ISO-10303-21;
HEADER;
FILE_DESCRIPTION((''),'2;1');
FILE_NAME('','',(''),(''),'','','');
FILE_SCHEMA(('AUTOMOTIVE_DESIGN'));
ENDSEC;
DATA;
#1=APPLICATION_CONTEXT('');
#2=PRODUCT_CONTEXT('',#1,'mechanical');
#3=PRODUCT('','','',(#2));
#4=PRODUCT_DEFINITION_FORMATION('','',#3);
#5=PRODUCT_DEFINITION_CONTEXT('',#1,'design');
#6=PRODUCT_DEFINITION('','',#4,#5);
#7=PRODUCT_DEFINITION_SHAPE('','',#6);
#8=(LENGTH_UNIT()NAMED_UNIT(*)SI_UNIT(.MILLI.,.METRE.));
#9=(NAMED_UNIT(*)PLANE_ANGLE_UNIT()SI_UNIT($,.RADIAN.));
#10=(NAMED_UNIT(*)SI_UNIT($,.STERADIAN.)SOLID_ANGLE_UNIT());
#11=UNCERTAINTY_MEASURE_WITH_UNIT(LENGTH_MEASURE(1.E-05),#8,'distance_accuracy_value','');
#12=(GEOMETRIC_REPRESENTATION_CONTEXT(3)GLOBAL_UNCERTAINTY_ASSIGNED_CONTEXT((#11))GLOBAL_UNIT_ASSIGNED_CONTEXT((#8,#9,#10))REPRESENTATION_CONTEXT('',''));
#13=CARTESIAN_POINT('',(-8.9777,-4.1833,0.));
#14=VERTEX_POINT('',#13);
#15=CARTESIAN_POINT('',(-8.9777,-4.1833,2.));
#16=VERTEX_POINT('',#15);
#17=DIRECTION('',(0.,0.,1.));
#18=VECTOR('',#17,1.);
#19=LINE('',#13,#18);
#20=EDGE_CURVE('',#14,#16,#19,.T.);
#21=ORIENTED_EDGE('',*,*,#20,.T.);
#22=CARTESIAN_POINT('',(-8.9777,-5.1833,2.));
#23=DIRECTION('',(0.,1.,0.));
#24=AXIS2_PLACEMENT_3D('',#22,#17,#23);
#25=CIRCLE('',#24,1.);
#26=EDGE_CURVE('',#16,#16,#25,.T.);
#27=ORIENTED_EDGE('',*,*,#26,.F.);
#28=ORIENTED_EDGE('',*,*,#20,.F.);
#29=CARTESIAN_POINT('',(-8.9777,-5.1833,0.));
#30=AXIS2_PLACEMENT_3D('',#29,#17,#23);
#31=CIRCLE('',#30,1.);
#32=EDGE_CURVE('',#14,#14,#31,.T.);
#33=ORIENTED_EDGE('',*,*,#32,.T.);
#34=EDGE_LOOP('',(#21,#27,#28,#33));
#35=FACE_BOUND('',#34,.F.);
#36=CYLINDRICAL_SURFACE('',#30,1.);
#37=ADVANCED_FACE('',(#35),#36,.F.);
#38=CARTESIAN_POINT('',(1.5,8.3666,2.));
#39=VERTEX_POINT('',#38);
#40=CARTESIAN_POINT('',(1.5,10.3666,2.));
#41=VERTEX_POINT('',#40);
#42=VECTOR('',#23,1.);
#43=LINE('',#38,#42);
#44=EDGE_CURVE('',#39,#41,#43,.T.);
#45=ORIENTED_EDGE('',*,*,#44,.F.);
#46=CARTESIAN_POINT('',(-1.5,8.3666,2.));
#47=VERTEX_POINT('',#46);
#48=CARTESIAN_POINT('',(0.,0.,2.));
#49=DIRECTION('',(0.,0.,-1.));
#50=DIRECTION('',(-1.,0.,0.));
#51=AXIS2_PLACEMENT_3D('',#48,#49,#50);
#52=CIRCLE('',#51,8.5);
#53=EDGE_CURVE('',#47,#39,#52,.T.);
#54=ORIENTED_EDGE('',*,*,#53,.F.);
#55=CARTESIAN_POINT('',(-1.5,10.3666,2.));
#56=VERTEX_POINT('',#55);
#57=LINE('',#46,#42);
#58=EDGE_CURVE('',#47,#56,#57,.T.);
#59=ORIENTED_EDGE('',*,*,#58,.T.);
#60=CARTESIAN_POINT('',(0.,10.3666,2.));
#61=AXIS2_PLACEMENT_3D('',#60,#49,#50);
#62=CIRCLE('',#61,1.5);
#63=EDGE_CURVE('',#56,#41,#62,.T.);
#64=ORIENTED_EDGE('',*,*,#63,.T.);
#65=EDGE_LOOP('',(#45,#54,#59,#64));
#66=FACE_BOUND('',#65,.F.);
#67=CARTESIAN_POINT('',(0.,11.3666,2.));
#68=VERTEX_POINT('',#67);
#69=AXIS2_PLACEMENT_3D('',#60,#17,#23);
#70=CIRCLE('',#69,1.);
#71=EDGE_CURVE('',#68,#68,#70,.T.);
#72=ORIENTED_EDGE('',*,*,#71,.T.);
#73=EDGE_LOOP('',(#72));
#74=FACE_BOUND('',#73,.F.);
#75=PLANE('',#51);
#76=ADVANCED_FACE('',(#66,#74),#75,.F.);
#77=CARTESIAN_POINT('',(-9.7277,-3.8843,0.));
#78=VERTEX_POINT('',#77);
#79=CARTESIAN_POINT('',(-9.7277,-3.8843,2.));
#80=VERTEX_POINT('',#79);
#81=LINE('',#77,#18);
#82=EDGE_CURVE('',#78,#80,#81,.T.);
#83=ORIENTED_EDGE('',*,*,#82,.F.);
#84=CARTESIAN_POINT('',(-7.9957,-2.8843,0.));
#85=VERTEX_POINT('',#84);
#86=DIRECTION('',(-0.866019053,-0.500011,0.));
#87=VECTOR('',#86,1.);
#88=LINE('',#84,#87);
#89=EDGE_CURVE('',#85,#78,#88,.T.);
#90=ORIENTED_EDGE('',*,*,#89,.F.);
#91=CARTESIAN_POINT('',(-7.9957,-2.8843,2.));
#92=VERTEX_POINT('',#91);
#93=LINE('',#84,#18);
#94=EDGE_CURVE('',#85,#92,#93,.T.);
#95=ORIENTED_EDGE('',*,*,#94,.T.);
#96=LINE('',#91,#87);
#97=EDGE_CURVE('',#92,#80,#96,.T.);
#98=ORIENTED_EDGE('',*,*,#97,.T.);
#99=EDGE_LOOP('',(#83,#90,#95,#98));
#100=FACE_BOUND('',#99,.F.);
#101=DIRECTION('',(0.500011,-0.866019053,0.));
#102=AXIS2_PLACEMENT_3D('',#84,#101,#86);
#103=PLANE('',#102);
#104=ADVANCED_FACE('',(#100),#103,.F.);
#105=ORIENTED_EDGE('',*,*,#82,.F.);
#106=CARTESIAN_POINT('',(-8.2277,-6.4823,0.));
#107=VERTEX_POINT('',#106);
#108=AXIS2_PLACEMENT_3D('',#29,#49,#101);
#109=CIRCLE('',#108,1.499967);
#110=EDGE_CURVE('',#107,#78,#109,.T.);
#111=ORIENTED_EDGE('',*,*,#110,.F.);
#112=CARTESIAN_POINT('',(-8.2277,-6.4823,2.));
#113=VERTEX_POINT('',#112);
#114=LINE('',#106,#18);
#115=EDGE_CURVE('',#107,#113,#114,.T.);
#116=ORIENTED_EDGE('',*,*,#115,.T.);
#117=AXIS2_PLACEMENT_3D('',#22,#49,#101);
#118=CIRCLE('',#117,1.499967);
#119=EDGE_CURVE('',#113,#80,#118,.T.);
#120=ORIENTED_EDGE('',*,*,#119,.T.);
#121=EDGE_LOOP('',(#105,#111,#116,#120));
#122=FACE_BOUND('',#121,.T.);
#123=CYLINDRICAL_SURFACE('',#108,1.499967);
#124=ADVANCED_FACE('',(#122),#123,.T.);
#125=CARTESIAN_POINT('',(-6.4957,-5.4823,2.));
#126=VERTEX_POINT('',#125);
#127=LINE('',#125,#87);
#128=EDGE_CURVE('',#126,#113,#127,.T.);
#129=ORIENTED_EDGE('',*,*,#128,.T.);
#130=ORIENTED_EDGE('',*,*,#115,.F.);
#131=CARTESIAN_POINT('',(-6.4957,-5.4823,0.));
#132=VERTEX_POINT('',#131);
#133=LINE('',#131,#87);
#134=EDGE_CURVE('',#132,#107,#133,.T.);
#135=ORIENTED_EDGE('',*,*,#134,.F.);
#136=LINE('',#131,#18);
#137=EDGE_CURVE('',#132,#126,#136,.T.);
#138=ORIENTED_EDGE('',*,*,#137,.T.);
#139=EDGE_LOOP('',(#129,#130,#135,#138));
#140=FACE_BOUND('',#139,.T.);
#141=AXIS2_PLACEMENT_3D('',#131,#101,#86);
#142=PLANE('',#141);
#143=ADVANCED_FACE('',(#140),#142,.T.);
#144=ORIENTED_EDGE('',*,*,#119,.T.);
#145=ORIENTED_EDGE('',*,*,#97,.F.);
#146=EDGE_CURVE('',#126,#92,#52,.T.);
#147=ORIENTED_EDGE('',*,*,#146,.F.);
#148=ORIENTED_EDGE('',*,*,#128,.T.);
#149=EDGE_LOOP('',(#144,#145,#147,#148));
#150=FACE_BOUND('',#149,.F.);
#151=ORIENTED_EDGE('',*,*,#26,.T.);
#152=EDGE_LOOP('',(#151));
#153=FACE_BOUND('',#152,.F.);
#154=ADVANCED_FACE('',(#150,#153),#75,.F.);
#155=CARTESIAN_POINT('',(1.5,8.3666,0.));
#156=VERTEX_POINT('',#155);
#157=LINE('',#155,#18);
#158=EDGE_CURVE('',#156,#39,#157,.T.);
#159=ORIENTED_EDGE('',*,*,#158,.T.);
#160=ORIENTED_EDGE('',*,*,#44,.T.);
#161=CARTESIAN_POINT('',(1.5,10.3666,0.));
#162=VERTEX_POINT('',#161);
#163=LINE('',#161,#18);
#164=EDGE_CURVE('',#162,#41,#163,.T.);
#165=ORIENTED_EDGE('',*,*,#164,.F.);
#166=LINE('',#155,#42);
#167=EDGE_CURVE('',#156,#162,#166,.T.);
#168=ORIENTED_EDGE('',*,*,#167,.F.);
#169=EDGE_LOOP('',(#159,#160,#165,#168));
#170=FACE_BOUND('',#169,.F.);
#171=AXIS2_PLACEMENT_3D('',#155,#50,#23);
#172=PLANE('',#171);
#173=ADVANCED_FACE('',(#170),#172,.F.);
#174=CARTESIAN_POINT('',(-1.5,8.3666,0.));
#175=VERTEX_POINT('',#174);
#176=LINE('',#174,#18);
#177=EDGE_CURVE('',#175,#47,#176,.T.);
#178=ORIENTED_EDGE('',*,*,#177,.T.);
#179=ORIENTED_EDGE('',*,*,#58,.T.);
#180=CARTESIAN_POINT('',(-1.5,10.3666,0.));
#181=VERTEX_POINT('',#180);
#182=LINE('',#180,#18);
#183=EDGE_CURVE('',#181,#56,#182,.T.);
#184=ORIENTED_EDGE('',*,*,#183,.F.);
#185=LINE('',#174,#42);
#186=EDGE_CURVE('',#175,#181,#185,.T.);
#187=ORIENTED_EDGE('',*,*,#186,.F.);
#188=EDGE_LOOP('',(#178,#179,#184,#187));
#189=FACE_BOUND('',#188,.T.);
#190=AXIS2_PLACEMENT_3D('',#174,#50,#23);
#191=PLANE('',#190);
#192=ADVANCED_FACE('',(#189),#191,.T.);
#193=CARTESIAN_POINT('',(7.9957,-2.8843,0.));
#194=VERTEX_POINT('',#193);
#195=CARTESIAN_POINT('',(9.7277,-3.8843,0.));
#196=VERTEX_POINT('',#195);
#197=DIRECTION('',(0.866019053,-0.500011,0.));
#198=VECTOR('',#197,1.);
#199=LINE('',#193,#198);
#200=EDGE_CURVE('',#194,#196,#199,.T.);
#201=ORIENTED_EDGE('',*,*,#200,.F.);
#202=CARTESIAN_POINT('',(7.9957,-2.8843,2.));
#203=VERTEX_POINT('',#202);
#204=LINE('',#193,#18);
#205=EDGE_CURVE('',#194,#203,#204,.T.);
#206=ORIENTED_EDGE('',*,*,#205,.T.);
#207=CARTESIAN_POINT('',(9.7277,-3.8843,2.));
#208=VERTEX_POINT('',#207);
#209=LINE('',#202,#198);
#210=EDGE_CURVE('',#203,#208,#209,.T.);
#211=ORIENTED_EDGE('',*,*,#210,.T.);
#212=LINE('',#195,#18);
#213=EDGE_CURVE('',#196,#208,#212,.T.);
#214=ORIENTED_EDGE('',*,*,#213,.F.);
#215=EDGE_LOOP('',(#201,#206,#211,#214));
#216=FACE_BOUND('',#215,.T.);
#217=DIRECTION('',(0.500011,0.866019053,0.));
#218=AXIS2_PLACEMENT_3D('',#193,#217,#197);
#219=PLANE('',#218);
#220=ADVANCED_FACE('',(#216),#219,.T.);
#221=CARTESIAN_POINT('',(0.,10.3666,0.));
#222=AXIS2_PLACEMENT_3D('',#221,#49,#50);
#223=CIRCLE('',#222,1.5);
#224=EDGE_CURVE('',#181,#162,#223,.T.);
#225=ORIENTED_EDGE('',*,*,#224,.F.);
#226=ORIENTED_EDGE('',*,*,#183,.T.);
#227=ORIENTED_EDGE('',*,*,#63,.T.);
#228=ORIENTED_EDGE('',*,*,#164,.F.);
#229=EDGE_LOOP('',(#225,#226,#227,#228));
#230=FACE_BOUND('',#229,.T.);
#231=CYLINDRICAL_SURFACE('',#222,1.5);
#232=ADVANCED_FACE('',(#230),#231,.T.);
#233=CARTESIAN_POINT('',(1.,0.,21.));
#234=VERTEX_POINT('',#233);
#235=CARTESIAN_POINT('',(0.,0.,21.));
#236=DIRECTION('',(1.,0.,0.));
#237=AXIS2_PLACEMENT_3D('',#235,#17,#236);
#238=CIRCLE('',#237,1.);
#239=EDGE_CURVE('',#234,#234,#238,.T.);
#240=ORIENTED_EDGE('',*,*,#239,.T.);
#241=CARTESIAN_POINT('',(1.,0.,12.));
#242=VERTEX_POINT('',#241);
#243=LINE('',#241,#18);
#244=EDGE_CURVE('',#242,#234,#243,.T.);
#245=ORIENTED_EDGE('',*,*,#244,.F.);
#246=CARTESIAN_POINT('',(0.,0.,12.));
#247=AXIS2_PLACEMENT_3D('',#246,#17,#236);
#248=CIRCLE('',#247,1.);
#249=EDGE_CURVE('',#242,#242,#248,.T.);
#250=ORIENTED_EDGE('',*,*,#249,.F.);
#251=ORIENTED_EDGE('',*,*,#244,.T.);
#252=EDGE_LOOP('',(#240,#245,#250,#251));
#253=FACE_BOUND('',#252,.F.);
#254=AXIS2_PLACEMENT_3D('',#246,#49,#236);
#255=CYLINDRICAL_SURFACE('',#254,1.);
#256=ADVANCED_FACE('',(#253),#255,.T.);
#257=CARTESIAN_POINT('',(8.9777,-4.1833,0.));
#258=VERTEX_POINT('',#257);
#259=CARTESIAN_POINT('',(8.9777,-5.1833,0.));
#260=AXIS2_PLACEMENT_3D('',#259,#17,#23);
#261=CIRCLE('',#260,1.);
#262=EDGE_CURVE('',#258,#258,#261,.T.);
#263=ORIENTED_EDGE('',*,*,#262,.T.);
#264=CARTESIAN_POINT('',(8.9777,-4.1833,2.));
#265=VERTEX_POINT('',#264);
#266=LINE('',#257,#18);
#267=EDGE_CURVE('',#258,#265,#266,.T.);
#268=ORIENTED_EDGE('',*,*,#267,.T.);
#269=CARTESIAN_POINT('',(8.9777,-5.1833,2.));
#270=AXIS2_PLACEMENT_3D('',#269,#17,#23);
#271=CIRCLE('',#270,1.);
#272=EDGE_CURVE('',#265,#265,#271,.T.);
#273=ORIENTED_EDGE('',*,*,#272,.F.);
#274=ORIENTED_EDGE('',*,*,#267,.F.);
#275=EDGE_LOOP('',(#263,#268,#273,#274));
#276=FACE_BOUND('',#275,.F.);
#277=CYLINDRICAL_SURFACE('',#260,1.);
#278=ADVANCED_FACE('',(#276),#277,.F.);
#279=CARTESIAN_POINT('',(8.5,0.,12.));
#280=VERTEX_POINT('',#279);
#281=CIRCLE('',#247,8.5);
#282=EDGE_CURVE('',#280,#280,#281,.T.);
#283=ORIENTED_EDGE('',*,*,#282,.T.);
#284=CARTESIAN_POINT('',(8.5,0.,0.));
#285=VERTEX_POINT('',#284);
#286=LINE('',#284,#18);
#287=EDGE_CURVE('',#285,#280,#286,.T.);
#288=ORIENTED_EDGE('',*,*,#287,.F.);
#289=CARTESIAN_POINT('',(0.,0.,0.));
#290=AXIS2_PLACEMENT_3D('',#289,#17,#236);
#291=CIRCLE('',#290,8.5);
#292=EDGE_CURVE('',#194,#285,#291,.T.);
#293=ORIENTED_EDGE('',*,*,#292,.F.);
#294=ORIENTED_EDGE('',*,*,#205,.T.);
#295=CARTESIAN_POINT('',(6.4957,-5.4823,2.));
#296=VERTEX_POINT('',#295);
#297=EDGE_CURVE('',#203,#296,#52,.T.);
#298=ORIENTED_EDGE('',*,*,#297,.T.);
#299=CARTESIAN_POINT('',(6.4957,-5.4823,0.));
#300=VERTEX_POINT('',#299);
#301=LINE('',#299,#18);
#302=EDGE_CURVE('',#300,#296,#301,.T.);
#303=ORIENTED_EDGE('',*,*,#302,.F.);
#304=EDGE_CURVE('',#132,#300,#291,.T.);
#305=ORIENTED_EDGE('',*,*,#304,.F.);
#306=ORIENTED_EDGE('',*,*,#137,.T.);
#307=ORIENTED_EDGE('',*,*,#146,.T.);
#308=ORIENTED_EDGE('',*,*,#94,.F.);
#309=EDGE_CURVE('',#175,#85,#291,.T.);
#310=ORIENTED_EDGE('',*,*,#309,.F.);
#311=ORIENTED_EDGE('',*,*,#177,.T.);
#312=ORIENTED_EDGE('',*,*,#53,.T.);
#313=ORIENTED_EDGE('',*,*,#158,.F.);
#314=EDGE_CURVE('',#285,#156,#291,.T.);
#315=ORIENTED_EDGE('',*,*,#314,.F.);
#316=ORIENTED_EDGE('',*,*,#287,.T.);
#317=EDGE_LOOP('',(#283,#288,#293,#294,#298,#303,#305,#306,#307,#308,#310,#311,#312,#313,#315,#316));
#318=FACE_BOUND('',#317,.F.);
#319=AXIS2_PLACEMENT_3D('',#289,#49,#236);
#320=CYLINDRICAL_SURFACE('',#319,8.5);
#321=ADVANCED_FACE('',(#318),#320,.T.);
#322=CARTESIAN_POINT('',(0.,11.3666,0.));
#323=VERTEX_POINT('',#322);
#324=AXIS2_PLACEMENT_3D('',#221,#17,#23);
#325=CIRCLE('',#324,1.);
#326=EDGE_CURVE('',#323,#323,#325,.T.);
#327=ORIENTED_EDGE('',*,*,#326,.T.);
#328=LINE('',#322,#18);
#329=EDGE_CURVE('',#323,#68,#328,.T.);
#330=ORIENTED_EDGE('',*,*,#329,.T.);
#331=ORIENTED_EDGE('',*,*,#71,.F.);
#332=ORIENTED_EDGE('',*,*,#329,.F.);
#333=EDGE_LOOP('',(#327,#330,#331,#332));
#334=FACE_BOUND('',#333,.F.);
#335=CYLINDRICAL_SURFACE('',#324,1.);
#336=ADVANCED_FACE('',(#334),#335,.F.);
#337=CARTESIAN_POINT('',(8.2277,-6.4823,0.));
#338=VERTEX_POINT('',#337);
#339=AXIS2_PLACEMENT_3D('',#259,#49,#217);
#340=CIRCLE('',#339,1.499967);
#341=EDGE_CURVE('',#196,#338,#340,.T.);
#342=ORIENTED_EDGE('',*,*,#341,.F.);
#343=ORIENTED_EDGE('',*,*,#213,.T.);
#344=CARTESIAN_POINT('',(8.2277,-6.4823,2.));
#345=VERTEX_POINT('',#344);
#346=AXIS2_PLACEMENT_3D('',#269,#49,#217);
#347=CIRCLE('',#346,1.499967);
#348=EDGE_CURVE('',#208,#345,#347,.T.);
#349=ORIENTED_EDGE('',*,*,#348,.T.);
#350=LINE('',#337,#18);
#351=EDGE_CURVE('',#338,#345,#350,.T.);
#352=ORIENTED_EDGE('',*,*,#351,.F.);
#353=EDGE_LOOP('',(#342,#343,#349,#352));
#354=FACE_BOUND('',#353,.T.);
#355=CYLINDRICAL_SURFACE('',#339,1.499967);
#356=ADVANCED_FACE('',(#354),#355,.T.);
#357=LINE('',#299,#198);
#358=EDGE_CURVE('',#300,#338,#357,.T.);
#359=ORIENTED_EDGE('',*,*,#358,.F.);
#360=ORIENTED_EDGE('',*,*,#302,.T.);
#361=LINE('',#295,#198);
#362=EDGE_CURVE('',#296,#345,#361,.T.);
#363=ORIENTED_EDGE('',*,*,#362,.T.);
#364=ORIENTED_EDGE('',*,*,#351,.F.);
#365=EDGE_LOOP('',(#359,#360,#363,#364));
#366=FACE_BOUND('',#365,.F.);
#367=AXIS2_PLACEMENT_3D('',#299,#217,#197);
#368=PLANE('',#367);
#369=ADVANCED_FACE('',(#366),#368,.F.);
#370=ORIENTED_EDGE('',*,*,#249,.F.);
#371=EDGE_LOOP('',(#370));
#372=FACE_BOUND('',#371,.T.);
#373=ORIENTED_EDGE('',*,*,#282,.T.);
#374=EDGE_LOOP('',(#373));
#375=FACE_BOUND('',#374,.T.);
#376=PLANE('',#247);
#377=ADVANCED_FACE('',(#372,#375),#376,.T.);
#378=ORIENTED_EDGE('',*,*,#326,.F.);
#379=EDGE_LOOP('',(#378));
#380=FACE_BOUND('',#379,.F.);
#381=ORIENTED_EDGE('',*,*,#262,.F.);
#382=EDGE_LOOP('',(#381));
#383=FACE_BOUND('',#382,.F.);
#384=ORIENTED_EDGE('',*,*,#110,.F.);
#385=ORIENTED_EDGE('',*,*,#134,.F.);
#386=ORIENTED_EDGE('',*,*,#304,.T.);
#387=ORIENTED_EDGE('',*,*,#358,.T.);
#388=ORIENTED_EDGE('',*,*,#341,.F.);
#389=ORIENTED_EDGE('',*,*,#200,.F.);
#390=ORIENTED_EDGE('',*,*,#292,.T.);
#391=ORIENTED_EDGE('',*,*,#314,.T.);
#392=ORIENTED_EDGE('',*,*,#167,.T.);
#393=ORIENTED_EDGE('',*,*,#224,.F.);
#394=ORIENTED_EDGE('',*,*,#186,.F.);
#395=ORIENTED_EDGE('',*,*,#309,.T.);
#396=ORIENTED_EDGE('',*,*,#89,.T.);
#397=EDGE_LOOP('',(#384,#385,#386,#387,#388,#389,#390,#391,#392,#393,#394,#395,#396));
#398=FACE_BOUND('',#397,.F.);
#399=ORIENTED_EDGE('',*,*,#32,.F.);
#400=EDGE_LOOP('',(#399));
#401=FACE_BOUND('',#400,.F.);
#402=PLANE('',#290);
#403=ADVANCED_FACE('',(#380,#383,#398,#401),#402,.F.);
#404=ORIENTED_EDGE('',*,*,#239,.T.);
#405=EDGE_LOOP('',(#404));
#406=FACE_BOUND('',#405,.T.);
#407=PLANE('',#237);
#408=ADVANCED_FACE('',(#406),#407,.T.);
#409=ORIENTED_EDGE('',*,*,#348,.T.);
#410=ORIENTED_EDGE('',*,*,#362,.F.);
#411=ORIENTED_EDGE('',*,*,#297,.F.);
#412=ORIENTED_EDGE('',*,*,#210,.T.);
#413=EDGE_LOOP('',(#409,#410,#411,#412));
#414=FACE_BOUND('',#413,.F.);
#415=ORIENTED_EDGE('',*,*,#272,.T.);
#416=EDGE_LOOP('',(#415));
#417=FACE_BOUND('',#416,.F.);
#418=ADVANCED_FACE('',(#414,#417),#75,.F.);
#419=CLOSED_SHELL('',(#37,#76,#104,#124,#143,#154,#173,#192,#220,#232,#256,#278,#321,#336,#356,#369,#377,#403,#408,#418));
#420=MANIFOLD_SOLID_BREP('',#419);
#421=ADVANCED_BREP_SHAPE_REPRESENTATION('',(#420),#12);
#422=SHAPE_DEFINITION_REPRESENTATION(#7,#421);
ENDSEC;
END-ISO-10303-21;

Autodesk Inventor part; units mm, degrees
ref_plane "YZ Plane" through (0, 0, 0) normal (1, 0, 0) x (0, 1, 0)
ref_plane "XZ Plane" through (0, 0, 0) normal (0, 1, 0) x (-1, 0, 0)
ref_plane "XY Plane" through (0, 0, 0) normal (0, 0, 1) x (1, 0, 0)
sketch "Sketch1" plane through (0, 0, 0) normal (0, 0, 1) x (1, 0, 0)
  circle A0 centre (0, 0) radius 8.5
  dimension "d0" = 17
extrude "Extrusion1" add sketch "Sketch1" along normal blind 12
sketch "Sketch2" plane through (0, 0, 0) normal (0, 0, -1) x (-1, 0, 0)
  circle A0 centre (0, 0) radius 8.5 projected
  line L0 (-1.5, 8.3666) -> (-1.5, 10.3666)
  line L1 (1.5, 8.3666) -> (1.5, 10.3666)
  arc A1 (1.5, 10.3666) -> (-1.5, 10.3666) centre (0, 10.3666) ccw
  line L2 (-6.4957, -5.4823) -> (-8.2277, -6.4823)
  line L3 (-7.9957, -2.8843) -> (-9.7277, -3.8843)
  arc A2 (-9.7277, -3.8843) -> (-8.2277, -6.4823) centre (-8.9777, -5.1833) ccw
  line L4 (7.9957, -2.8843) -> (9.7277, -3.8843)
  line L5 (6.4957, -5.4823) -> (8.2277, -6.4823)
  arc A3 (8.2277, -6.4823) -> (9.7277, -3.8843) centre (8.9777, -5.1833) ccw
  arc A4 (-7.9957, -2.8843) -> (-6.4957, -5.4823) centre (0, 0) ccw
  arc A5 (6.4957, -5.4823) -> (7.9957, -2.8843) centre (0, 0) ccw
  dimension "d4" = 2
  dimension "d7" = 360
  dimension "d21" = 1.5
extrude "Extrusion2" add sketch "Sketch2" against normal blind 2 contours A0 L0 A1 L1 | L4 A3 L5 A0 | A0 L2 A2 L3
hole "Hole1" at (-8.9777, -5.1833, 0) at (8.9777, -5.1833, 0) at (0, 10.3666, 0) direction (0, 0, 1) diameter 2 end through all
sketch "Sketch3" plane through (0, 0, 12) normal (0, 0, 1) x (1, 0, 0)
  circle A0 centre (0, 0) radius 1
  dimension "d18" = 2
extrude "Extrusion3" add sketch "Sketch3" along normal blind 9
properties part number "motor_design2" material "Aluminum 6061-AHC"
